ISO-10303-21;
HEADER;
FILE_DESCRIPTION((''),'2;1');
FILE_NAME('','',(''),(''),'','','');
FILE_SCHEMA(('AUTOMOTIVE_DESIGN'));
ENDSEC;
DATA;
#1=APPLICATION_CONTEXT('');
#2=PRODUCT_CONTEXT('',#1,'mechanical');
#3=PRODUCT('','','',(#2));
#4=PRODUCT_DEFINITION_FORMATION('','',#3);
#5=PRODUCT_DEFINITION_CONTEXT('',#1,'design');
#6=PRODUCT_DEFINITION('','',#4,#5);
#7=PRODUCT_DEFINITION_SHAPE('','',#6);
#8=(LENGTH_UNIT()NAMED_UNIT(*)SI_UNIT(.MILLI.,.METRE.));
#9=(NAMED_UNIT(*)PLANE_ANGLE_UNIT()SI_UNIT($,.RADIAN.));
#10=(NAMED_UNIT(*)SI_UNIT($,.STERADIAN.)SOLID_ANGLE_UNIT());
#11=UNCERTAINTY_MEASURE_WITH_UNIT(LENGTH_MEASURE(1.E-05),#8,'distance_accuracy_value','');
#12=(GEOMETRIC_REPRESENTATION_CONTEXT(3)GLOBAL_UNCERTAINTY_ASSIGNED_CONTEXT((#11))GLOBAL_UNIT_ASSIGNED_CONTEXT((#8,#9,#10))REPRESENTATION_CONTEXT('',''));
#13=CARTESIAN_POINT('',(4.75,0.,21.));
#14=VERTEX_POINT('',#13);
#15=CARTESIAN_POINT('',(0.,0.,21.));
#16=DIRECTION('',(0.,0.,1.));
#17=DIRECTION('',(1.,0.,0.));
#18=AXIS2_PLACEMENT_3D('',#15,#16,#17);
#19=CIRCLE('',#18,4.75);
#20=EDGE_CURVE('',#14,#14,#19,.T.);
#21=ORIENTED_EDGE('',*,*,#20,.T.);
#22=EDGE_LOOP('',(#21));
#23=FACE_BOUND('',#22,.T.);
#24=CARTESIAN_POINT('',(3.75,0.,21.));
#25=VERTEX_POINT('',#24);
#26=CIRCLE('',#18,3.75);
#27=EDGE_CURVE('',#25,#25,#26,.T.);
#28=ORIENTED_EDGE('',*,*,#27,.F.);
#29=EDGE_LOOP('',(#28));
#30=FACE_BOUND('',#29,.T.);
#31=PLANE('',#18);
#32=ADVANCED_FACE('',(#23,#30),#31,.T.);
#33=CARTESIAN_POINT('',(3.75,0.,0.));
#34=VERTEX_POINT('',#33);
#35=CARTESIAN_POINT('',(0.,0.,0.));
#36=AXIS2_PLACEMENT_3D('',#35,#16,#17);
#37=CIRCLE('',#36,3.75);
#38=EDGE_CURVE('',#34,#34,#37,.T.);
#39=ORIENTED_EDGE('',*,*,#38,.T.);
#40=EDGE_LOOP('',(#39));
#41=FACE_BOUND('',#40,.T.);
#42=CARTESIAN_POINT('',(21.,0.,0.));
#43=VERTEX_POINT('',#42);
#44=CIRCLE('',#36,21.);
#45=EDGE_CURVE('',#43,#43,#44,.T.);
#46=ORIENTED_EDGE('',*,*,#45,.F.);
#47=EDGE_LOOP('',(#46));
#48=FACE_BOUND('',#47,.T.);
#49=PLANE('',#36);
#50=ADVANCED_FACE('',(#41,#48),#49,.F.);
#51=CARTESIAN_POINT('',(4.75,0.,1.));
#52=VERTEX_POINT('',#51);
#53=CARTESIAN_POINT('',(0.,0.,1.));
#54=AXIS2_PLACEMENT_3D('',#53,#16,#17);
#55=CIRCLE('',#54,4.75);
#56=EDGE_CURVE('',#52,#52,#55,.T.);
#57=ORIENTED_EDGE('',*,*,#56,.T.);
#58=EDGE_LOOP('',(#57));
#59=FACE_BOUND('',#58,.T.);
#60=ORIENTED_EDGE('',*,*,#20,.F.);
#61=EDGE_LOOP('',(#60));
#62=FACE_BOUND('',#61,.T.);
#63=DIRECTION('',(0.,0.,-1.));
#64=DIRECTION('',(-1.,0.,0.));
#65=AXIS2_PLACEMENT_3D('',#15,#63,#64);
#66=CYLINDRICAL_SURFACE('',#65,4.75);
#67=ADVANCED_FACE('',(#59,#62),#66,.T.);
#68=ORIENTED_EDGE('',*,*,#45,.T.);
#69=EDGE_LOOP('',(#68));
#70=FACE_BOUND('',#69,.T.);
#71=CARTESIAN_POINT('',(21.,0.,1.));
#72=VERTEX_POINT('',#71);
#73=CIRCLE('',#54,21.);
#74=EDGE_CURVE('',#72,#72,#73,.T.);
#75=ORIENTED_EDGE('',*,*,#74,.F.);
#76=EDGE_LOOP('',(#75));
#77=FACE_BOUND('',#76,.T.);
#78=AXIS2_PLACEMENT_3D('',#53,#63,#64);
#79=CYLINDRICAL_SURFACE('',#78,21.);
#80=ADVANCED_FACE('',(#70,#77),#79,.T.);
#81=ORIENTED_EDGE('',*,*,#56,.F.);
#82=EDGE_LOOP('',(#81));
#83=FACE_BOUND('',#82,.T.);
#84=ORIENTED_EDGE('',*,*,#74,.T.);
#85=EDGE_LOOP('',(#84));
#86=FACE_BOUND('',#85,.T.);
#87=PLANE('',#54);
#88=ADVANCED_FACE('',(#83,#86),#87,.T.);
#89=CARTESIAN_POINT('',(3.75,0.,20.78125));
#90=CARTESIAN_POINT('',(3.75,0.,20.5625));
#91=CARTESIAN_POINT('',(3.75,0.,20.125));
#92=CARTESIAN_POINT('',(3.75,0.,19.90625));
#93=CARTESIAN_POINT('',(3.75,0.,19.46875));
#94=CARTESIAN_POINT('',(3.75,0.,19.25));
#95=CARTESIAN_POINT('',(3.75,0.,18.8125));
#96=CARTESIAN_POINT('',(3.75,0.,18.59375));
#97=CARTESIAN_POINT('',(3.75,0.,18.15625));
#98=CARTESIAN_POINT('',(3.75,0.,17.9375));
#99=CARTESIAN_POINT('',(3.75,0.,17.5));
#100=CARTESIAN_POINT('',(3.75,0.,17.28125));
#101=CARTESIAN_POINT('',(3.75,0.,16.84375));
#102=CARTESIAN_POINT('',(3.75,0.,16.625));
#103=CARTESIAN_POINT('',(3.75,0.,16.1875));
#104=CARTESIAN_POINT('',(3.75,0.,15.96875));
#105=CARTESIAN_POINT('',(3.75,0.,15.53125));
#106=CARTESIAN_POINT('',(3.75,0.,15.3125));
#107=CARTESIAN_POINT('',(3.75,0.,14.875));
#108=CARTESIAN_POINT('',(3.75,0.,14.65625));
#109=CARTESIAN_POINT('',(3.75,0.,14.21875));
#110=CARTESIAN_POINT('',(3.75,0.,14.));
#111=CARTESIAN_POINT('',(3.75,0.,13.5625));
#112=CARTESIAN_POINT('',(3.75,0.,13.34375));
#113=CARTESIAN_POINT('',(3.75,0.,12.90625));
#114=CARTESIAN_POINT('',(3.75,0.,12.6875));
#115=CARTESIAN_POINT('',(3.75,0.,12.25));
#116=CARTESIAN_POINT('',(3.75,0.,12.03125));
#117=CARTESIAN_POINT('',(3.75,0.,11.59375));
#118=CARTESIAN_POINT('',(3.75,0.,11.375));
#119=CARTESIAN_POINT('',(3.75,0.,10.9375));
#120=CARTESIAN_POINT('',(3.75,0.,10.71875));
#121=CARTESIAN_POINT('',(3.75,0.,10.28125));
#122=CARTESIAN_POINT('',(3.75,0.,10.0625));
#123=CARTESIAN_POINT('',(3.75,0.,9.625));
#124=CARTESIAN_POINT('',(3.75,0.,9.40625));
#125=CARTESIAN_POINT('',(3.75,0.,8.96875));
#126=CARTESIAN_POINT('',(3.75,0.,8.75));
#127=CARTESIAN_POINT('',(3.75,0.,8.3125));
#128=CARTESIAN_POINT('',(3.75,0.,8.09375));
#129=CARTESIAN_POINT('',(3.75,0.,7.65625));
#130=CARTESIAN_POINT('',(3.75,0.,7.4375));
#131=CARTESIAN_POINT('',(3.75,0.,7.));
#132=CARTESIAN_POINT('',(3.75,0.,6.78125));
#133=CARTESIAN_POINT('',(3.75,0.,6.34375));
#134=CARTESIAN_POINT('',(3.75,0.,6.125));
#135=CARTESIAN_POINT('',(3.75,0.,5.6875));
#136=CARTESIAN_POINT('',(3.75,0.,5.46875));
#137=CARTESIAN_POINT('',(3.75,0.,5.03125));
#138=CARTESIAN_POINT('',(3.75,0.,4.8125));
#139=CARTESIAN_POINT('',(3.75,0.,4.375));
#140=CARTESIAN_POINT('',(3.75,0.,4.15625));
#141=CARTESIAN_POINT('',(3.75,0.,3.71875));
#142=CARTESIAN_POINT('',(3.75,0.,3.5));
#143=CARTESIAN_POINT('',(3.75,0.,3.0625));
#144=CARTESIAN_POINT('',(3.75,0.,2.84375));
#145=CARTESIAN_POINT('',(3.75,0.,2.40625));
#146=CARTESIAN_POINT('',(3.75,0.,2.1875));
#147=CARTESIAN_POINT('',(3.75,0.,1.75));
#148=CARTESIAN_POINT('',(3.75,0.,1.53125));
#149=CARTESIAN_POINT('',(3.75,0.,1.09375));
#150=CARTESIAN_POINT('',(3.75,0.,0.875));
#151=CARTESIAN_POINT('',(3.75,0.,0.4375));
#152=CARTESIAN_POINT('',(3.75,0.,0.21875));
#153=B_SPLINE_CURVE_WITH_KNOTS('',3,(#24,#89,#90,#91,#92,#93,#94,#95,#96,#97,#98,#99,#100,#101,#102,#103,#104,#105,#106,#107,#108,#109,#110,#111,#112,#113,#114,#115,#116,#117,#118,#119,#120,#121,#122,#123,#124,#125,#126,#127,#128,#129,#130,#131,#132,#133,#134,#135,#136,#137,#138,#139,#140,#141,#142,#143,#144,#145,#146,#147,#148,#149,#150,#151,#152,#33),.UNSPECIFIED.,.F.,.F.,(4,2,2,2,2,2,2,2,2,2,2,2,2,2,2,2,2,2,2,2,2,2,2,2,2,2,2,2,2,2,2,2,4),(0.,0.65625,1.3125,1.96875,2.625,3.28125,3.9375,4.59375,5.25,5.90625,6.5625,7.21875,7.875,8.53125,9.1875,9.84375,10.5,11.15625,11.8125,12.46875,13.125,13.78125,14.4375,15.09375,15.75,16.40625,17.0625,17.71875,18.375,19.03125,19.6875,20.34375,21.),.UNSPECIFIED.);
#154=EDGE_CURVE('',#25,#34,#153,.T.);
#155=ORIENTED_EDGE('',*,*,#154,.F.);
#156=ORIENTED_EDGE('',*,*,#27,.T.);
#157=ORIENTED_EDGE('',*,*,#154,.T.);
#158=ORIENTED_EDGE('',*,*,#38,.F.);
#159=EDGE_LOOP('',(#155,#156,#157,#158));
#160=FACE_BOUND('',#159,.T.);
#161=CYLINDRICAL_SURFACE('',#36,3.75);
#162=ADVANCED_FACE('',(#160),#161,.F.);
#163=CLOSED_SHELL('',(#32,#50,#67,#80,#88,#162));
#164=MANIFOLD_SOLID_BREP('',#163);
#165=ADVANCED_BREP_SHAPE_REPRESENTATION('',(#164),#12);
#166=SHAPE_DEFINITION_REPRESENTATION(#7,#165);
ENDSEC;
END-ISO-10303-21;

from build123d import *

# Parameters (mm, degrees)
SKETCH1_R               = 21
BOSS_EXTRUDE1_DEPTH     = 1
SKETCH2_R               = 4.75
BOSS_EXTRUDE2_DEPTH     = 20
CUT_EXTRUDE1_DEPTH      = 37.373066959
CUT_EXTRUDE1_DEPTH_BACK = 37.373066959
SKETCH3_R               = 3.75


with BuildPart() as part:
    # Sketch1 → Boss-Extrude1 (new body)
    with BuildSketch(Plane.XY):
        Circle(SKETCH1_R)
    extrude(amount=BOSS_EXTRUDE1_DEPTH)

    # Sketch2 → Boss-Extrude2 (add)
    with BuildSketch(Plane.XY.offset(1)):
        Circle(SKETCH2_R)
    extrude(amount=BOSS_EXTRUDE2_DEPTH)

    # Sketch3 → Cut-Extrude1 (cut, two sides: drawn at the far end of the back side and taken through both)
    with BuildSketch(Plane.XY.offset(21).offset(-CUT_EXTRUDE1_DEPTH_BACK)):
        Circle(SKETCH3_R)
    extrude(amount=CUT_EXTRUDE1_DEPTH + CUT_EXTRUDE1_DEPTH_BACK, mode=Mode.SUBTRACT)


solid = part.part
